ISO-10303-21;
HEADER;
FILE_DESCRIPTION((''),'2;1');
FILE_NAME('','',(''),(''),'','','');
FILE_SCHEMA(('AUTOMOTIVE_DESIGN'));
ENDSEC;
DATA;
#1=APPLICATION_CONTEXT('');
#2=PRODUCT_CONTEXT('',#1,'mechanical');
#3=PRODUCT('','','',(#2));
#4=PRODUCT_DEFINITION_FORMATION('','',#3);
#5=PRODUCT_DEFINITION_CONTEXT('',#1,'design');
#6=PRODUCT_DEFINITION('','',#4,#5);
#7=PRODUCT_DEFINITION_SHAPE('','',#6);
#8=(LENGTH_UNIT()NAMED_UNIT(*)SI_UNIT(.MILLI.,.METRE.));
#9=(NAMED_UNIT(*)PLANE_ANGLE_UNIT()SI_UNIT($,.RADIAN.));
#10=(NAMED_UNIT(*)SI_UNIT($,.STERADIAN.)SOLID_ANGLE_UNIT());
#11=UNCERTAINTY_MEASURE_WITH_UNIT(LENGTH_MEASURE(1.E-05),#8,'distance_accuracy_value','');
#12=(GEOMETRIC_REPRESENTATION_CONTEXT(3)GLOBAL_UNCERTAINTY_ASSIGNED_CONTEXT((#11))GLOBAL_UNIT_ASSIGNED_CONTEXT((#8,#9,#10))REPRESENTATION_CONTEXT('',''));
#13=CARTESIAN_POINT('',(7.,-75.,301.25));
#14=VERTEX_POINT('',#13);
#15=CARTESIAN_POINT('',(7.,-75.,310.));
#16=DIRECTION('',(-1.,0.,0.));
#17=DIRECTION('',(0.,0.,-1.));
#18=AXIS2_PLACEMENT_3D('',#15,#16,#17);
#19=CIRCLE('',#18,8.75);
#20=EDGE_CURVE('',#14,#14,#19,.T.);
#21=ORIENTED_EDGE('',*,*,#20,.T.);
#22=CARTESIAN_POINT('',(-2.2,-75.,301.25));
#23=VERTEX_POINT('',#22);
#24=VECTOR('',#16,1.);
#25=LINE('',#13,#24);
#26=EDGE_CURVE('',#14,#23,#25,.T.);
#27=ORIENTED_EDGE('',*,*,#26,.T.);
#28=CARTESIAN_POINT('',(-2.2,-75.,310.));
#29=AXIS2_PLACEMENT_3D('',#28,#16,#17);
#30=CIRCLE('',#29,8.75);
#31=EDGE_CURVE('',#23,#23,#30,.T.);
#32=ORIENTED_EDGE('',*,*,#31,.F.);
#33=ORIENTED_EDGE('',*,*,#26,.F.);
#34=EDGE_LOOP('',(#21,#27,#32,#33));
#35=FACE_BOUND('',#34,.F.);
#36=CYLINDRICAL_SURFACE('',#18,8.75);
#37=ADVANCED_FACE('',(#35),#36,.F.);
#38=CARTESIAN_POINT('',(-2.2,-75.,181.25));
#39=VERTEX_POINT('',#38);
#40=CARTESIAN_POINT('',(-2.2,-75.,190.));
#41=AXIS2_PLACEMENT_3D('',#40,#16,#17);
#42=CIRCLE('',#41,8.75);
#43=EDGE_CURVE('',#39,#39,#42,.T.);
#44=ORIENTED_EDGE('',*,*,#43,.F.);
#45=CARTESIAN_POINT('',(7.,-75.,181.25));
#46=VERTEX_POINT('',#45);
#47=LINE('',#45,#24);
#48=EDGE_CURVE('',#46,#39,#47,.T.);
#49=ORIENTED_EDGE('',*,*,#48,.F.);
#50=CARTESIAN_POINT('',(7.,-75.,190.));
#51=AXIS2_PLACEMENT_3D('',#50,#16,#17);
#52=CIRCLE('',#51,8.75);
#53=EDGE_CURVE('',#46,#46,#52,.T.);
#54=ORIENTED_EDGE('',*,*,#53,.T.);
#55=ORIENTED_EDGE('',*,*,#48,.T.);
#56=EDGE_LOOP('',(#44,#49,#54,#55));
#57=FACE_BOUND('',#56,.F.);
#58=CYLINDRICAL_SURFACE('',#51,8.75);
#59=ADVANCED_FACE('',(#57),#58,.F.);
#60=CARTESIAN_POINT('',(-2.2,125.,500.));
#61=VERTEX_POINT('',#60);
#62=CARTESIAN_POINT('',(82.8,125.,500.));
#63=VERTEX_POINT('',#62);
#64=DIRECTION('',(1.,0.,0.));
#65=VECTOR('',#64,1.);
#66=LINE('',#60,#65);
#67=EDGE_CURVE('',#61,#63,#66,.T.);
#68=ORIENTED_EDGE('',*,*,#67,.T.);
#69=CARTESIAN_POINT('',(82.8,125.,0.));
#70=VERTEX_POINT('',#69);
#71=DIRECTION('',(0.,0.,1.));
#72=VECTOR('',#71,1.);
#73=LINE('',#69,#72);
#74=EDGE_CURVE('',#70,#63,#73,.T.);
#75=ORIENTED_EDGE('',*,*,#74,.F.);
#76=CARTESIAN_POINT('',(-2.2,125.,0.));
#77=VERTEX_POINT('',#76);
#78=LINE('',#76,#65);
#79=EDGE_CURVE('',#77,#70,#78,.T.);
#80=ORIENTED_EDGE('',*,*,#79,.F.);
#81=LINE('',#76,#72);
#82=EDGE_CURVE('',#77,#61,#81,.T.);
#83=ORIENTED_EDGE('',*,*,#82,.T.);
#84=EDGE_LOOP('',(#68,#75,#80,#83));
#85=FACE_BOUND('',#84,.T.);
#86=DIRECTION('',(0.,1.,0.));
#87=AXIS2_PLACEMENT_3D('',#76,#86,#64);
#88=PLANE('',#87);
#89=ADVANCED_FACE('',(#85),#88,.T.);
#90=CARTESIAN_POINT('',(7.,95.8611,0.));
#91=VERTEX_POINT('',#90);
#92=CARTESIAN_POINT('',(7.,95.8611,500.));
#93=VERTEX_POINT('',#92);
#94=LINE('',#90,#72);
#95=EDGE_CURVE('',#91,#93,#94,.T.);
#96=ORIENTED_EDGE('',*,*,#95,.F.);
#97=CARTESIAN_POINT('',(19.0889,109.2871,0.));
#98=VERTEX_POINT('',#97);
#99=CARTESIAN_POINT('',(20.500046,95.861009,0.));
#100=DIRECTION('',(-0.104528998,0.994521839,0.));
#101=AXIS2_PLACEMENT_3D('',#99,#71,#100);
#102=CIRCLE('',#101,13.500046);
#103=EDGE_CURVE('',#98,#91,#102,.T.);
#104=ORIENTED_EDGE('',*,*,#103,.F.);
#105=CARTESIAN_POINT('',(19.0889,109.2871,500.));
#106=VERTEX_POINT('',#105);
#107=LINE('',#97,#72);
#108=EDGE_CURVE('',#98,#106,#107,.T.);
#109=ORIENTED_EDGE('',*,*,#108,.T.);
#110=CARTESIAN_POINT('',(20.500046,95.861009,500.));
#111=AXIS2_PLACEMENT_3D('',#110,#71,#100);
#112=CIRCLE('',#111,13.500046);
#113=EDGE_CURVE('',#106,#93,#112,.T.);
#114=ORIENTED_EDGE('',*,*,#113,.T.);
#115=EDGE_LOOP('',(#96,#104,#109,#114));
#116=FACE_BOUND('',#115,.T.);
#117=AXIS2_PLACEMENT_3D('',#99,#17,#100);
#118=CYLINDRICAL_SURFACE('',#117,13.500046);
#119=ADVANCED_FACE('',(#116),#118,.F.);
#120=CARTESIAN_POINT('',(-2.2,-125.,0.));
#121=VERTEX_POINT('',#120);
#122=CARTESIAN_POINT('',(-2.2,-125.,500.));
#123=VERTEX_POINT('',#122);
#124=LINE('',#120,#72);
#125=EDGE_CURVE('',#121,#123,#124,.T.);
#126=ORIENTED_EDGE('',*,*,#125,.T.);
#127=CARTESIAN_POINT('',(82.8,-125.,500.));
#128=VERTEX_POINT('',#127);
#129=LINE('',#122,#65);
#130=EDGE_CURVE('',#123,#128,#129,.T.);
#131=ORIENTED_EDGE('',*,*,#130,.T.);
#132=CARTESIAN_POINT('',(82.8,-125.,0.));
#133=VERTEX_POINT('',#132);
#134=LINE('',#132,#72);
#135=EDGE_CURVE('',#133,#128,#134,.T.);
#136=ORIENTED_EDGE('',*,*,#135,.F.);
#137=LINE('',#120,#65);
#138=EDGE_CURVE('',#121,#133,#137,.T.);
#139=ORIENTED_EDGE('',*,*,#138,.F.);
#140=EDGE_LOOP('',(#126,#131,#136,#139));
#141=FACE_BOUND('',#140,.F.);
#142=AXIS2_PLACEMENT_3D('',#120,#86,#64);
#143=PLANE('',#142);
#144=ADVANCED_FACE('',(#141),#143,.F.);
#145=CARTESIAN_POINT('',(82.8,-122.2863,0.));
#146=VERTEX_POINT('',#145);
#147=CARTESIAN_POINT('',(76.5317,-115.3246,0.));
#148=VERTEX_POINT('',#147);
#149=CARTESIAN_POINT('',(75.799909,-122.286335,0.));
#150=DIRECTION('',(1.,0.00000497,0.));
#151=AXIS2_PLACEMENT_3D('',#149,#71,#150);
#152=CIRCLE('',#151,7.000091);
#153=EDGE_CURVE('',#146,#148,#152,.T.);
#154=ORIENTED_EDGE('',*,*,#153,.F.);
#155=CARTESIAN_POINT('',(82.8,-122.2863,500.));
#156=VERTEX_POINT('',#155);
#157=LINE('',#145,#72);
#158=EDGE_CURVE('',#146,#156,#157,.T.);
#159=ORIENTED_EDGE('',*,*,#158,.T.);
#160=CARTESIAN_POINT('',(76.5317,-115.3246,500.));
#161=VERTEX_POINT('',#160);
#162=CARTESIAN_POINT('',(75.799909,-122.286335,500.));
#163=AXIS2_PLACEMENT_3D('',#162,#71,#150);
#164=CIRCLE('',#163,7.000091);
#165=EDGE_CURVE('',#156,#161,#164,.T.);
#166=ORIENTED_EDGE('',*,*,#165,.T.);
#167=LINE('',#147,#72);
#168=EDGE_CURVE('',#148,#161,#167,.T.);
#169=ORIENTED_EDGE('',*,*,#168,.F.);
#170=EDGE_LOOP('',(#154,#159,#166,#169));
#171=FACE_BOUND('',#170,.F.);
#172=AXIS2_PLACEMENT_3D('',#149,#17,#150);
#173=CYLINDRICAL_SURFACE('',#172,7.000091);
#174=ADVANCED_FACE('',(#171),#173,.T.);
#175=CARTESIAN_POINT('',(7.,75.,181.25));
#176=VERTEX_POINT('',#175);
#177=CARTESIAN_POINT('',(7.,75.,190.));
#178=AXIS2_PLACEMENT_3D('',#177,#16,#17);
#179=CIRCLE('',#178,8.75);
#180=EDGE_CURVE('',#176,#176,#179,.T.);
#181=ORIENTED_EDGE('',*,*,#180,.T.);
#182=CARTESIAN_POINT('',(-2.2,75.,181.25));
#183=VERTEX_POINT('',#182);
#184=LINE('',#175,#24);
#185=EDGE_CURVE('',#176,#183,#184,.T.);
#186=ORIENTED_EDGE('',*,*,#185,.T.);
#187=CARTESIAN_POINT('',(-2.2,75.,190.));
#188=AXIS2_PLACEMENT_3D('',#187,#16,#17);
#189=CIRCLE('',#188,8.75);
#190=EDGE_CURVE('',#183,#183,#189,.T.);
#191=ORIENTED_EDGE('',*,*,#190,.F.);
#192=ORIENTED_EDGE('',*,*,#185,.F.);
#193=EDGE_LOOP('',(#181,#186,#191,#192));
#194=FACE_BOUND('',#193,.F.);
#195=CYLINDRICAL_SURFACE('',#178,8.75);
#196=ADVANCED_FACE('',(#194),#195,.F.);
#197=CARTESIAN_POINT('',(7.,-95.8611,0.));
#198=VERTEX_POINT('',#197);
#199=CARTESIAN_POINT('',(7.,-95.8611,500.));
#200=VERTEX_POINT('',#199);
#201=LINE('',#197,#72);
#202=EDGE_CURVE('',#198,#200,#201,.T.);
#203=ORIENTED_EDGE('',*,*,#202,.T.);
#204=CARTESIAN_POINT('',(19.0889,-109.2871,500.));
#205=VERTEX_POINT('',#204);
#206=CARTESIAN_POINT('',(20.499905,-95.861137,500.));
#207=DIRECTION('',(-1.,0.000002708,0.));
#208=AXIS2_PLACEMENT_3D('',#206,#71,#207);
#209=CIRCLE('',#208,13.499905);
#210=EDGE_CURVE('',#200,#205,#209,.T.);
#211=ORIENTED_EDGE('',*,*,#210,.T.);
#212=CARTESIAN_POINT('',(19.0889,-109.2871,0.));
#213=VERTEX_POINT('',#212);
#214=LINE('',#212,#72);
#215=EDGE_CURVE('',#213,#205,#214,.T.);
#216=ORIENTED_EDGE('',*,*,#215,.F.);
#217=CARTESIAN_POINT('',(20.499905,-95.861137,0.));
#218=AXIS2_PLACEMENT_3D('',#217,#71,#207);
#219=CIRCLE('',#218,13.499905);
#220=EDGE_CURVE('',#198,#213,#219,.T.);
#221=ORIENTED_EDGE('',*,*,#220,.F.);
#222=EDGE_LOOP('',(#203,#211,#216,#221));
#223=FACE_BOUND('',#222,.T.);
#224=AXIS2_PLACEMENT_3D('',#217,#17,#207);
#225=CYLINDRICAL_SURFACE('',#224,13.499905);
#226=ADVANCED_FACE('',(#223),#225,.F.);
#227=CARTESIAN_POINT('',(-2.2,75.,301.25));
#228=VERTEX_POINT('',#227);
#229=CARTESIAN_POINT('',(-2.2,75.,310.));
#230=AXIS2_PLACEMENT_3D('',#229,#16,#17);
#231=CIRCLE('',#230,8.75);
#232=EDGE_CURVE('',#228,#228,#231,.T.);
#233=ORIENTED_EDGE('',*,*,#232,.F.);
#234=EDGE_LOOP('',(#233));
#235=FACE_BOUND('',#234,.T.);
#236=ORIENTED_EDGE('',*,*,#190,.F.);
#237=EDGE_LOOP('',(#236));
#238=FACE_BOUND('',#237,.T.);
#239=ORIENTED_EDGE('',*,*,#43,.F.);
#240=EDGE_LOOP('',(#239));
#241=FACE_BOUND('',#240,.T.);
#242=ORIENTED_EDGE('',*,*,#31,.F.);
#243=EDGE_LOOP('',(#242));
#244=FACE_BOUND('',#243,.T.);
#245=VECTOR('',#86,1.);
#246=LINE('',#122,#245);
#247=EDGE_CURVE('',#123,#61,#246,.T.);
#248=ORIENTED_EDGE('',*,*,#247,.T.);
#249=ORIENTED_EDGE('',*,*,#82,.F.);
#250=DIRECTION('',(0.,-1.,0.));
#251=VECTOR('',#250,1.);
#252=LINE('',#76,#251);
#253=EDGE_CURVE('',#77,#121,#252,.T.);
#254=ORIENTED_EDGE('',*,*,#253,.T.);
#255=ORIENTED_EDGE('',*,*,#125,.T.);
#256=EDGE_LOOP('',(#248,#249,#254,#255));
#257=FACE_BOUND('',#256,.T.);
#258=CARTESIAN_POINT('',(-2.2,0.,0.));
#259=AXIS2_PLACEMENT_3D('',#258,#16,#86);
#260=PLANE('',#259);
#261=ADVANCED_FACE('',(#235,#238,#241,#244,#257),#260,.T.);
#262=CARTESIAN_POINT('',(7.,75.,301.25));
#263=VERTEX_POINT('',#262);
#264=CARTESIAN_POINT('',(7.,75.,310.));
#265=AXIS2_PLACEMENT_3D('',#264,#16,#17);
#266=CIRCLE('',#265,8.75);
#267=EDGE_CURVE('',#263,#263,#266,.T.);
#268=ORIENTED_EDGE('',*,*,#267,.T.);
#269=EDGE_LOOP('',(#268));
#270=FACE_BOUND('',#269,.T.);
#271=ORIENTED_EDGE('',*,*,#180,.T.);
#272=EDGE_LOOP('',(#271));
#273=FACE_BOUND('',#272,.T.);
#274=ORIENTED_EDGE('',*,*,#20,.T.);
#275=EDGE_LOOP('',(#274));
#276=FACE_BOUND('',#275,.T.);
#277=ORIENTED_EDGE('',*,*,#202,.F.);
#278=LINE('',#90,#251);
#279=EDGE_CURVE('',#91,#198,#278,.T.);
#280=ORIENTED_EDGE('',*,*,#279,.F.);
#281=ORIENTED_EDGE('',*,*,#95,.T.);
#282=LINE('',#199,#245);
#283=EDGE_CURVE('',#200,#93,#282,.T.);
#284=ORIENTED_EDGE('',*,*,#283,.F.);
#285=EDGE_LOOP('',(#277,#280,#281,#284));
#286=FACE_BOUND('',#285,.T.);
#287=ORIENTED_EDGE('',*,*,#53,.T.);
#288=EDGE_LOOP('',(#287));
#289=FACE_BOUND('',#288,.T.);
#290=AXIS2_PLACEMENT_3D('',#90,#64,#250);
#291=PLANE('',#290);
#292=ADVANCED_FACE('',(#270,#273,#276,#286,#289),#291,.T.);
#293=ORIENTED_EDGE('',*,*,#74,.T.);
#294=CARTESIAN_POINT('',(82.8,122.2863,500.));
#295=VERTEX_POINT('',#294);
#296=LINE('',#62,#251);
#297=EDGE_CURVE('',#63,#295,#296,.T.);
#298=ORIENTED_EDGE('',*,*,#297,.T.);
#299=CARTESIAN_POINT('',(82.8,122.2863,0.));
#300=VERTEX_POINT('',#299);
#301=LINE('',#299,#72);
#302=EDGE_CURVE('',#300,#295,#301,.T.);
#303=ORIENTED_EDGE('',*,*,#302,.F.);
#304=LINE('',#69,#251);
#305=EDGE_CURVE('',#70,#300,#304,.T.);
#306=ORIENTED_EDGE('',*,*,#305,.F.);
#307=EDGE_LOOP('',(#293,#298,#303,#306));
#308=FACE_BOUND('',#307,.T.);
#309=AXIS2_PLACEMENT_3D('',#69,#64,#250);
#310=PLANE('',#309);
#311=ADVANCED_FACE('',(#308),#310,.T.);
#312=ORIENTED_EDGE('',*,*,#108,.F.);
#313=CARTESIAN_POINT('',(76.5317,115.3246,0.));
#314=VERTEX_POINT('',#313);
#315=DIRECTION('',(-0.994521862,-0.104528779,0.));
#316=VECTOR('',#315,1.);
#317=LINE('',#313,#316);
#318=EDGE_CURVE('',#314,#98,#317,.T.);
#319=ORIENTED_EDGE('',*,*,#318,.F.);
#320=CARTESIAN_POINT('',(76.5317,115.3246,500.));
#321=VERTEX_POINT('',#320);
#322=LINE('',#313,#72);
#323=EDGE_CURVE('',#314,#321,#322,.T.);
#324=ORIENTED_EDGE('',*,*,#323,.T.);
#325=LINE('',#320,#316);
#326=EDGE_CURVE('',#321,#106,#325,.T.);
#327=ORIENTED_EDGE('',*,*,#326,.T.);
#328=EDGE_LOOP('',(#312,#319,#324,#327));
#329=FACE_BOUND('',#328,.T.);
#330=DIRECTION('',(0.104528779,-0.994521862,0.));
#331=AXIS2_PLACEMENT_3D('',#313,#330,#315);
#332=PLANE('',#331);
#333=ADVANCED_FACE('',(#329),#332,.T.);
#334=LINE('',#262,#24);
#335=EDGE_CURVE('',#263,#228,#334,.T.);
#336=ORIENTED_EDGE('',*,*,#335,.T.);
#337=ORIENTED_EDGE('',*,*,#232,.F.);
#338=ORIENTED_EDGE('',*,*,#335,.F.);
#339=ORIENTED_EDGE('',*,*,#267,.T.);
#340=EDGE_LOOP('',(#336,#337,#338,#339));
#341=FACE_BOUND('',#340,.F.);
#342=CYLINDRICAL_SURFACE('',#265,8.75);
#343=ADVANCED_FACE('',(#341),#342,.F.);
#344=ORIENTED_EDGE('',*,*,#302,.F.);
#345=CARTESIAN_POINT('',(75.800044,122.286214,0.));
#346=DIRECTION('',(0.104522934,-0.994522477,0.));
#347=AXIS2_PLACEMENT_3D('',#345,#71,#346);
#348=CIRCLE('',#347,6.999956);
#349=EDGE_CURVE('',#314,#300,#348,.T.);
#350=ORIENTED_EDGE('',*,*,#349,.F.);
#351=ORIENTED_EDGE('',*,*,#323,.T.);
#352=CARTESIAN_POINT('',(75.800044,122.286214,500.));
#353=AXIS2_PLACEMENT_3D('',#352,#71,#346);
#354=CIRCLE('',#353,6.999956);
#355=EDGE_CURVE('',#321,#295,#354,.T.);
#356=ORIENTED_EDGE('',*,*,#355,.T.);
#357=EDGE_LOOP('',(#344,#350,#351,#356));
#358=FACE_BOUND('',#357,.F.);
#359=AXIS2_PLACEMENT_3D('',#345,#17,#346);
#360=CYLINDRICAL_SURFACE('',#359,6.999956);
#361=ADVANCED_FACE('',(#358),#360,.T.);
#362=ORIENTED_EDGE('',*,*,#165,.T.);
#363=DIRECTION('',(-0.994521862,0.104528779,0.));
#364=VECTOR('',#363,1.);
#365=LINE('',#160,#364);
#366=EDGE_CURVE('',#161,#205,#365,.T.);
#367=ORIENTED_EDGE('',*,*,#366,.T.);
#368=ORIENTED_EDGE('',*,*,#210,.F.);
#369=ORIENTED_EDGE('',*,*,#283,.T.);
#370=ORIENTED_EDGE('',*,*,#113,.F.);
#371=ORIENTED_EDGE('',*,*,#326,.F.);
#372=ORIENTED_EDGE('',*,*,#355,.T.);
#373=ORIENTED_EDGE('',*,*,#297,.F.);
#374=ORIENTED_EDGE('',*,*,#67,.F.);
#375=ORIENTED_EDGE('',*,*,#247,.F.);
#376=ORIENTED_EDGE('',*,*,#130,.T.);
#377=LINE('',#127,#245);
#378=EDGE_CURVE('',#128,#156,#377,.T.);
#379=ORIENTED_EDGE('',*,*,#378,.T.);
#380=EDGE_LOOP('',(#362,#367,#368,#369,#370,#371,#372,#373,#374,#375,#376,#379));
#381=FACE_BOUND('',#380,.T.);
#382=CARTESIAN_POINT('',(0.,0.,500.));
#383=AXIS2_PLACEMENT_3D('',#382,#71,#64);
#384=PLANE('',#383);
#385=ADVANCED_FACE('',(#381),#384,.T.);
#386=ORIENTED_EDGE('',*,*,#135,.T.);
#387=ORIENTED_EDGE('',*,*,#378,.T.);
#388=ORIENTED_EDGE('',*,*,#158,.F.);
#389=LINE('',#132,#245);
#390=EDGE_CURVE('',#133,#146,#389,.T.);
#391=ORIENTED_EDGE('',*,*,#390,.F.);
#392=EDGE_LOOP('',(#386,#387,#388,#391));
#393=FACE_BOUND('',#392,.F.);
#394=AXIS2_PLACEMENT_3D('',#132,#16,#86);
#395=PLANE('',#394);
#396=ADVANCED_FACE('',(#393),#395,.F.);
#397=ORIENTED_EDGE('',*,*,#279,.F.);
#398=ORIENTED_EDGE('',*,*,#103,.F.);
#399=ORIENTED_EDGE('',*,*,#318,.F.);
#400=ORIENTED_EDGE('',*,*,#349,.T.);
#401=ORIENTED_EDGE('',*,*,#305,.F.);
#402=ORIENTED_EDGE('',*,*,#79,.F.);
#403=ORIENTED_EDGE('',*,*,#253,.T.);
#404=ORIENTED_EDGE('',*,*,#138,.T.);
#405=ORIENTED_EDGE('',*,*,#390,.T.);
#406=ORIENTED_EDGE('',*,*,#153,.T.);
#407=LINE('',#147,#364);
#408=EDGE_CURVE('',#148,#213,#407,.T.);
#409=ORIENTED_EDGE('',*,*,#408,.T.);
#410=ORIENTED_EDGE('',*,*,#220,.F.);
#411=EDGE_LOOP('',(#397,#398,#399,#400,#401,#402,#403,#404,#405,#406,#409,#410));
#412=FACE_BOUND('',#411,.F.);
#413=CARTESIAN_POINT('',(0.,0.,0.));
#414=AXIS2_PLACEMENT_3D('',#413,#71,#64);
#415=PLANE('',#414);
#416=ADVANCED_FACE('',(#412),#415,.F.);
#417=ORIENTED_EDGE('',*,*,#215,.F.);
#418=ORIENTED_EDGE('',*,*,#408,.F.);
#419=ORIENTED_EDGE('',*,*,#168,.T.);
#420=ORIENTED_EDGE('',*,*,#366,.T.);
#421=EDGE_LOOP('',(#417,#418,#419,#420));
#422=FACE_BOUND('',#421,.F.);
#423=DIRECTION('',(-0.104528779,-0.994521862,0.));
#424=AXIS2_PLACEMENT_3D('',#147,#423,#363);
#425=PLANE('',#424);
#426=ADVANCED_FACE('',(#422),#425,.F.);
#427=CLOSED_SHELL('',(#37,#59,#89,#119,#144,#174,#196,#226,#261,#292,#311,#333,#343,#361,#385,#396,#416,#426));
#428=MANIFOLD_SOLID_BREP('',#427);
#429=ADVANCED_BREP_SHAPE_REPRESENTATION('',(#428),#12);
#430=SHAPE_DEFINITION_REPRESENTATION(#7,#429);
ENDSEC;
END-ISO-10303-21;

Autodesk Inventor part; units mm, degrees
ref_plane "YZ Plane" through (0, 0, 0) normal (1, 0, 0) x (0, 1, 0)
ref_plane "Start Plane" through (0, 0, 0) normal (0, 0, 1) x (1, 0, 0)
ref_plane "End Plane" through (0, 0, 500) normal (0, 0, 1) x (1, 0, 0)
sketch "Sketch" plane through (0, 0, 0) normal (0, 0, 1) x (1, 0, 0)
  line L0 (-2.2, 0) -> (-2.2, 125)
  line L1 (-2.2, 125) -> (82.8, 125)
  line L2 (82.8, 125) -> (82.8, 122.2863)
  line L3 (76.5317, 115.3246) -> (19.0889, 109.2871)
  line L4 (7, 95.8611) -> (7, 0)
  line L5 (7, 0) -> (-2.2, 0) construction
  line L6 (44.9, 125) -> (44.9, 112) construction
  line L7 (82.8, 115.9834) -> (82.8, 112) construction
  line L8 (82.8, 112) -> (44.9, 112) construction
  line L9 (0, 15) -> (0, -27) construction
  line L10 (-5.539, 0) -> (16.0067, 0) construction
  line L11 (-2.2, 0) -> (-2.2, -125)
  line L12 (-2.2, -125) -> (82.8, -125)
  line L13 (82.8, -125) -> (82.8, -122.2863)
  line L14 (76.5317, -115.3246) -> (19.0889, -109.2871)
  line L15 (7, -95.8611) -> (7, 0)
  arc A0 (19.0889, 109.2871) -> (7, 95.8611) centre (20.5, 95.8611) ccw
  arc A1 (7, -95.8611) -> (19.0889, -109.2871) centre (20.5, -95.8611) ccw
  arc A2 (76.5317, 115.3246) -> (82.8, 122.2863) centre (75.8, 122.2863) ccw
  arc A3 (82.8, -122.2863) -> (76.5317, -115.3246) centre (75.8, -122.2863) ccw
  line L16 (0, 175) -> (0, -175) construction
  line L17 (-23.474, 0) -> (102.0712, 0) construction
  point P0 (7, 108.0166)
  point P1 (82.8, -115.9834)
  point P2 (7, -108.0166)
  point P3 (44.9, -125)
  point P4 (44.9, -112)
  dimension "d0" = 9.2
  dimension "d1" = 125
  dimension "d2" = 85
  dimension "d3" = 13
  dimension "d4" = 37.9
  dimension "d5" = 3.9834
  dimension "d23" = 13.5
  dimension "d24" = 7
  dimension "d25" = 2.2
extrude "Body" add sketch "Sketch" along normal up to surface (500 mm away) from surface at 0
sketch "Sketch3" plane through (0, 0, 0) normal (0, 0, 1) x (1, 0, 0)
  line L0 (0, 0) -> (10, 0)
ref_plane "Work Plane3" through (0, 0, 0) normal (0, -1, 0) x (1, 0, 0)
sketch "Sketch5" plane through (7, -95.8611, 500) normal (1, 0, 0) x (0, 0, -1)
  point P0 (190, 170.8611)
hole "Hole1" at (7, 75, 310) direction (-1, 0, 0) diameter 17.5 end through all
sketch "Sketch6" plane through (7, -95.8611, 500) normal (1, 0, 0) x (0, 0, -1)
  point P0 (310, 170.8611)
hole "Hole2" at (7, 75, 190) direction (-1, 0, 0) diameter 17.5 end through all
sketch "Sketch7" plane through (7, -95.8611, 500) normal (1, 0, 0) x (0, 0, -1)
  point P0 (190, 20.8611)
hole "Hole3" at (7, -75, 310) direction (-1, 0, 0) diameter 17.5 end through all
sketch "Sketch8" plane through (7, -95.8611, 500) normal (1, 0, 0) x (0, 0, -1)
  point P0 (310, 20.8611)
hole "Hole4" at (7, -75, 190) direction (-1, 0, 0) diameter 17.5 end through all
sketch "Sketch4" plane through (0, 0, 0) normal (0, -1, 0) x (1, 0, 0)
  line L0 (-2, 0) -> (12, 0) projected
  line L1 (-2, 500) -> (12, 500) projected
  dimension "d29" = 500
equation "\"d0\" = G_T"
equation "\"d1\" = 0.5 * G_H"
equation "\"d2\" = G_W"
equation "\"d3\" = G_T1"
equation "\"d4\" = G_C"
equation "\"d23\" = G_IR"
equation "\"d24\" = G_ER"
equation "\"d25\" = ex"
equation "\"d6\" = G_L"
equation "\"G_W\" = 85"
equation "\"G_H\" = 250"
equation "\"G_T\" = 9.2"
equation "\"G_T1\" = 13"
equation "\"G_NG\" = 0.105104"
equation "\"G_ER\" = 7"
equation "\"G_IR\" = 13.5"
equation "\"G_C\" = 37.9"
equation "\"G_L\" = d29"
equation "\"ex\" = 2.2"
equation "\"G_OFFSET_START\" = 0"
equation "\"G_OFFSET_END\" = 0"
properties part number "ISO 657/11 - CH 250 x 34 - 500" material "Steel, Mild"
